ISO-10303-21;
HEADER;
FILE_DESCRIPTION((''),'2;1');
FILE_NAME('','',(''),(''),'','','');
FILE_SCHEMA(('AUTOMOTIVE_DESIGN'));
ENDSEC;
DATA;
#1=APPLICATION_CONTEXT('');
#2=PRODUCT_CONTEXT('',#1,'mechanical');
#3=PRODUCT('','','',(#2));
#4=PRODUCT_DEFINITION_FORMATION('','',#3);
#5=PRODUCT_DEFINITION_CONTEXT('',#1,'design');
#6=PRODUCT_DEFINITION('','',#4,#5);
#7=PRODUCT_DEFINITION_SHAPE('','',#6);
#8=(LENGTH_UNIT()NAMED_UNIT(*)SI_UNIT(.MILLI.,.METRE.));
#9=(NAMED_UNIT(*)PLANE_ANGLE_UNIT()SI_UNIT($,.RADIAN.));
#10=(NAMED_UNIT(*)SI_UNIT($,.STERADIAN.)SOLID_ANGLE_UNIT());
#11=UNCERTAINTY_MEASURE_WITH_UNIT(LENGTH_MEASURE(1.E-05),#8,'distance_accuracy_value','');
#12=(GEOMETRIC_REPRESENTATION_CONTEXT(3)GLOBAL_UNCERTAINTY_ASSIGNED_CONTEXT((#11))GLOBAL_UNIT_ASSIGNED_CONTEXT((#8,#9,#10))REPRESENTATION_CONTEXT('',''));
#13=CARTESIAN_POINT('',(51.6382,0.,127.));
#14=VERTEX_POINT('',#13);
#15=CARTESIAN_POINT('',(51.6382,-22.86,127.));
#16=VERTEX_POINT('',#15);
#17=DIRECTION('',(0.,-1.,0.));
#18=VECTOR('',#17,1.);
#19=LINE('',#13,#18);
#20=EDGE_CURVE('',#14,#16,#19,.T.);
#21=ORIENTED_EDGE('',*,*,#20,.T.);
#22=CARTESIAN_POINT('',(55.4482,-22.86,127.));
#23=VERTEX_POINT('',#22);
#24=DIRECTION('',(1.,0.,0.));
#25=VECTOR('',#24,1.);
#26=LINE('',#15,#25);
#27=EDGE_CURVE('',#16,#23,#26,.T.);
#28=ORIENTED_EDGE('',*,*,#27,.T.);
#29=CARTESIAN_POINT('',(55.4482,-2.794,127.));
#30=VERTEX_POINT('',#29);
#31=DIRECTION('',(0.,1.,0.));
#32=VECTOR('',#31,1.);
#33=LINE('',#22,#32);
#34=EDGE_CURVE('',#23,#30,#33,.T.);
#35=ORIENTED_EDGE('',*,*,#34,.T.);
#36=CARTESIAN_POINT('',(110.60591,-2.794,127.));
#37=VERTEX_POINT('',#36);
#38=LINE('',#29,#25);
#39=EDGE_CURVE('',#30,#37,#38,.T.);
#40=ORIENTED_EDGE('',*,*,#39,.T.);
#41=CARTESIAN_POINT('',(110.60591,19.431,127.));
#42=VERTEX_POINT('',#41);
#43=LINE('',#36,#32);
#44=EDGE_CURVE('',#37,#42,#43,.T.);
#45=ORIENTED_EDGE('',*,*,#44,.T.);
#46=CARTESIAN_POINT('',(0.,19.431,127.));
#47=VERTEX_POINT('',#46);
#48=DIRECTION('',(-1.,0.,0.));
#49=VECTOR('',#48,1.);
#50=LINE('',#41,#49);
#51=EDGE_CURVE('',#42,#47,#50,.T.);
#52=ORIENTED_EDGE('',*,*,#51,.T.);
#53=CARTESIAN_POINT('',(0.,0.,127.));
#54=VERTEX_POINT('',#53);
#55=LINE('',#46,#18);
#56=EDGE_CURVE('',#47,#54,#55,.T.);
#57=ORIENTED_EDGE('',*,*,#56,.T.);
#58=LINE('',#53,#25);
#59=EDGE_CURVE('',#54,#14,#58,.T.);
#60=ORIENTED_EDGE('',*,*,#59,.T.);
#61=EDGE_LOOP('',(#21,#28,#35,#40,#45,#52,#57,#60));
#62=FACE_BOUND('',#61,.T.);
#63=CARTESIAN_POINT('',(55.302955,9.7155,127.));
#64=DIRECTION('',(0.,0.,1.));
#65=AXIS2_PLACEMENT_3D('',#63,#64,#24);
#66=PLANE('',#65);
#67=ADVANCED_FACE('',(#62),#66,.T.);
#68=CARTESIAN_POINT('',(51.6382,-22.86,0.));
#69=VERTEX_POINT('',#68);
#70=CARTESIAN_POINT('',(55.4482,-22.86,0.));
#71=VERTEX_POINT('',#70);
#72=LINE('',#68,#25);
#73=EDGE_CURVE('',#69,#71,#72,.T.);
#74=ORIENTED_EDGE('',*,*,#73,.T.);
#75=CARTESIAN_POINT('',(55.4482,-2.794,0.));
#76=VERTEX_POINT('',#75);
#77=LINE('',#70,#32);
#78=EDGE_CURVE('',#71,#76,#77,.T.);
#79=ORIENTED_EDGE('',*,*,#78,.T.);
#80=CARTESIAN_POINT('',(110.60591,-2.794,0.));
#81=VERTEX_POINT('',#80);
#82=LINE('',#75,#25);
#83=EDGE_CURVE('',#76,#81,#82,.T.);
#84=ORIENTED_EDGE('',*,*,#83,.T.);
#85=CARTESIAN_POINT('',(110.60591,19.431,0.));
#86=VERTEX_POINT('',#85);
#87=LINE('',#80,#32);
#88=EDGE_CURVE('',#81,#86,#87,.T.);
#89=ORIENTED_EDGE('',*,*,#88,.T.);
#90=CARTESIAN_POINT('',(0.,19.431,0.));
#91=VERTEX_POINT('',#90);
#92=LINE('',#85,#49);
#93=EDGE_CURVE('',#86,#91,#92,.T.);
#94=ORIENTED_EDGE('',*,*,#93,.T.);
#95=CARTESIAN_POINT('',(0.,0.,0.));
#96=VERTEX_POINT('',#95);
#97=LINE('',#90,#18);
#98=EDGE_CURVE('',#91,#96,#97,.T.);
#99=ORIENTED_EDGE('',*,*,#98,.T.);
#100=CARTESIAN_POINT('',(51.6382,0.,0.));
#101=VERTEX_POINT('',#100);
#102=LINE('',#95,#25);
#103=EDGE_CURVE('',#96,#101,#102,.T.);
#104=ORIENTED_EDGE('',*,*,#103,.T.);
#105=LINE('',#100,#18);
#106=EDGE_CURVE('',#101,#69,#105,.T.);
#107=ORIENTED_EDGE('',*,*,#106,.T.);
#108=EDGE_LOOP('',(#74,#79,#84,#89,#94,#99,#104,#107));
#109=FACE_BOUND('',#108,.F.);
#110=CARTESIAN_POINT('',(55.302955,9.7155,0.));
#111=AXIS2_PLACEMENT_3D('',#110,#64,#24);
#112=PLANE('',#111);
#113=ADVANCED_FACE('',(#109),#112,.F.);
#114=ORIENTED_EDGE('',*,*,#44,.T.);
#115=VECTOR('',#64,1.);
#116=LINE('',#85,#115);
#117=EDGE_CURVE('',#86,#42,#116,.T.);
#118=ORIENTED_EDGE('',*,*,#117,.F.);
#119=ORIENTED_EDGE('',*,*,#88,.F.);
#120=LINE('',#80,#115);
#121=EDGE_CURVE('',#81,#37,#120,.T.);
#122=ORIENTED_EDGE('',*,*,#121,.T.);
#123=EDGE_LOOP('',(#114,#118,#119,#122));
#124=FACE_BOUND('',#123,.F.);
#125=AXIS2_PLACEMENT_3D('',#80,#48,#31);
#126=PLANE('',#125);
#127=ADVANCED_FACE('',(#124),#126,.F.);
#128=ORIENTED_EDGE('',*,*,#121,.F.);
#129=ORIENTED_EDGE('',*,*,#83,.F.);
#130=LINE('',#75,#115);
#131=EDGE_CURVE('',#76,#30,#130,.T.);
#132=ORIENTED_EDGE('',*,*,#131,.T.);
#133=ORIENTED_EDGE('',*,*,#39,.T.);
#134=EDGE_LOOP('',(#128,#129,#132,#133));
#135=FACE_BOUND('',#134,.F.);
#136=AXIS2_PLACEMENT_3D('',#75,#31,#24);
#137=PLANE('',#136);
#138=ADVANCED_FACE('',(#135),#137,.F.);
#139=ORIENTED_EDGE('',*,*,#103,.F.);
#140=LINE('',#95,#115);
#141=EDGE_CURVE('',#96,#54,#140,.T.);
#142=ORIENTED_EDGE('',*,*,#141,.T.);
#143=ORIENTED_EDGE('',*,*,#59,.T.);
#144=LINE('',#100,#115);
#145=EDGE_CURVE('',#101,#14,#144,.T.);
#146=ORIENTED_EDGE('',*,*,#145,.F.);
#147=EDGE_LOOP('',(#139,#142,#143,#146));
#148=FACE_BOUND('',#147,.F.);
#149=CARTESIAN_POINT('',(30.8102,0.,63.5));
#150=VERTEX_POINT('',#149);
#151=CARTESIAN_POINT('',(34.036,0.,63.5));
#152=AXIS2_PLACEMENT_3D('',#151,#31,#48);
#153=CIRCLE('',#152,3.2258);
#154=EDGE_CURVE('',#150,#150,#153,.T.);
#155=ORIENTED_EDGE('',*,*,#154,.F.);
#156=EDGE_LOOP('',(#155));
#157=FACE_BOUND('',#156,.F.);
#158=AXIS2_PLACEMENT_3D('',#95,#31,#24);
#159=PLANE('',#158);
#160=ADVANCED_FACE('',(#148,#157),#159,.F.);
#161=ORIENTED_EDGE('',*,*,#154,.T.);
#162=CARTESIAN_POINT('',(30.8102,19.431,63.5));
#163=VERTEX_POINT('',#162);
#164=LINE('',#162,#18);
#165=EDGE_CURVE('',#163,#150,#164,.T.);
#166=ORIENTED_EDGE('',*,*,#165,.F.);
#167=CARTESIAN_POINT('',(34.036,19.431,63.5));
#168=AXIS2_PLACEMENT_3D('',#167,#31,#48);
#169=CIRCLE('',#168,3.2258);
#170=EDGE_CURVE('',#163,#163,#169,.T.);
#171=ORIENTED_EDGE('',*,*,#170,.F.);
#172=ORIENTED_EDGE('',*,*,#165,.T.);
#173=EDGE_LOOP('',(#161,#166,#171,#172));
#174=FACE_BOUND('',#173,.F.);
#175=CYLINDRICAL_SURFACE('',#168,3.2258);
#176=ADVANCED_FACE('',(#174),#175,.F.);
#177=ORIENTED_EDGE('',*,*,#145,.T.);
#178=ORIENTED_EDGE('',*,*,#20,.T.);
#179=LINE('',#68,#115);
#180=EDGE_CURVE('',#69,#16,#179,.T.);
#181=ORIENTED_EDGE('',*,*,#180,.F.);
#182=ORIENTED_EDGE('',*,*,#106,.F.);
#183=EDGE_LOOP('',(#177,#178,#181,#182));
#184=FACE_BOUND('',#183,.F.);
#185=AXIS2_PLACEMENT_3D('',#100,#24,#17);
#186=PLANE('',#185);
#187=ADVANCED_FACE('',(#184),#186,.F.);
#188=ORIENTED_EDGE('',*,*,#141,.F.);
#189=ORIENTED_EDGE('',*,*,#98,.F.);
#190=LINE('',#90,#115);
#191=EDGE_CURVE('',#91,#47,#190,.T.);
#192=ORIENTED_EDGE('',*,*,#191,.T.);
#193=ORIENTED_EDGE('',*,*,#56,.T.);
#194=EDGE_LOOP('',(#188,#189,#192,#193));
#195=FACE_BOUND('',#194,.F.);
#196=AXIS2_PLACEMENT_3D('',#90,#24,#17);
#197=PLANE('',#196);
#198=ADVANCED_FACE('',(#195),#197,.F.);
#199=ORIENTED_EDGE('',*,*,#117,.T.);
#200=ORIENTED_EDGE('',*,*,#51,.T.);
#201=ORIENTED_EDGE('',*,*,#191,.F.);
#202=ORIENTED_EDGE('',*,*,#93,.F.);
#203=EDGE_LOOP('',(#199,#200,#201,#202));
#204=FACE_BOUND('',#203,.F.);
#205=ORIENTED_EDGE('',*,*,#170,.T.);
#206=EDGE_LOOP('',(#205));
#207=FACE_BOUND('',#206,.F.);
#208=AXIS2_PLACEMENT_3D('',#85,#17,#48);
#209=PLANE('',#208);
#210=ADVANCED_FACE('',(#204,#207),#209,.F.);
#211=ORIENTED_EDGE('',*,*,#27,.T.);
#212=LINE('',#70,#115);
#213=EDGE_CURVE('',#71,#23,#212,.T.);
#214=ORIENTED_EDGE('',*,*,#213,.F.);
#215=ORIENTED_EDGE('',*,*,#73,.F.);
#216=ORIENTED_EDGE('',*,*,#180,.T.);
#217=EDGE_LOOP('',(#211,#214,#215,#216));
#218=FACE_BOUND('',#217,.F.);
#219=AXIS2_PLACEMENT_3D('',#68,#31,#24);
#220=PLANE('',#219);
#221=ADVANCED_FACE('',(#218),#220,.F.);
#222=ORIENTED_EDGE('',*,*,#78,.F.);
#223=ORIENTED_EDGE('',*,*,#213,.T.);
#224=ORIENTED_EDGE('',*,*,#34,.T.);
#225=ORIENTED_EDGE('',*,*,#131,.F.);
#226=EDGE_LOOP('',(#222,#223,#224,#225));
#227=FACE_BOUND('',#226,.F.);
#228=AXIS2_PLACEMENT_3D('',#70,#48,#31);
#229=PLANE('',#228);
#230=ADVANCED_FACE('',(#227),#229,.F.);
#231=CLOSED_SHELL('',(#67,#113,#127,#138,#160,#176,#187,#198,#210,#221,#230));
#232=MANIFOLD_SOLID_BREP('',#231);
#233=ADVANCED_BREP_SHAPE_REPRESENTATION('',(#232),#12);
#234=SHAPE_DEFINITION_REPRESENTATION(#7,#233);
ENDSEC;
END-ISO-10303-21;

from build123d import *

# Parameters (mm, degrees)
F1_DEPTH = 127
F2_R     = 3.2258
F3_DEPTH = 19.431


with BuildPart() as f1:
    # F0 (on Top) → F1 (new body)
    with BuildSketch(Plane.XY):
        Polygon((0, 19.431), (0, 0), (51.6382, 0), (110.60591, 0), (110.60591, 19.431), align=None)
        Polygon((110.60591, 0), (51.6382, 0), (51.6382, -22.86), (55.4482, -22.86), (55.4482, -2.794), (110.60591, -2.794), align=None)
    extrude(amount=F1_DEPTH)

    # F2 (on face) → F3 (cut, through all)
    with BuildSketch(Plane(origin=(0, 19.431, 0), x_dir=(-1, 0, 0), z_dir=(0, 1, 0))):
        with Locations((-34.036, 63.5)):
            Circle(F2_R)
    extrude(amount=-F3_DEPTH, mode=Mode.SUBTRACT)


solid = f1.part
